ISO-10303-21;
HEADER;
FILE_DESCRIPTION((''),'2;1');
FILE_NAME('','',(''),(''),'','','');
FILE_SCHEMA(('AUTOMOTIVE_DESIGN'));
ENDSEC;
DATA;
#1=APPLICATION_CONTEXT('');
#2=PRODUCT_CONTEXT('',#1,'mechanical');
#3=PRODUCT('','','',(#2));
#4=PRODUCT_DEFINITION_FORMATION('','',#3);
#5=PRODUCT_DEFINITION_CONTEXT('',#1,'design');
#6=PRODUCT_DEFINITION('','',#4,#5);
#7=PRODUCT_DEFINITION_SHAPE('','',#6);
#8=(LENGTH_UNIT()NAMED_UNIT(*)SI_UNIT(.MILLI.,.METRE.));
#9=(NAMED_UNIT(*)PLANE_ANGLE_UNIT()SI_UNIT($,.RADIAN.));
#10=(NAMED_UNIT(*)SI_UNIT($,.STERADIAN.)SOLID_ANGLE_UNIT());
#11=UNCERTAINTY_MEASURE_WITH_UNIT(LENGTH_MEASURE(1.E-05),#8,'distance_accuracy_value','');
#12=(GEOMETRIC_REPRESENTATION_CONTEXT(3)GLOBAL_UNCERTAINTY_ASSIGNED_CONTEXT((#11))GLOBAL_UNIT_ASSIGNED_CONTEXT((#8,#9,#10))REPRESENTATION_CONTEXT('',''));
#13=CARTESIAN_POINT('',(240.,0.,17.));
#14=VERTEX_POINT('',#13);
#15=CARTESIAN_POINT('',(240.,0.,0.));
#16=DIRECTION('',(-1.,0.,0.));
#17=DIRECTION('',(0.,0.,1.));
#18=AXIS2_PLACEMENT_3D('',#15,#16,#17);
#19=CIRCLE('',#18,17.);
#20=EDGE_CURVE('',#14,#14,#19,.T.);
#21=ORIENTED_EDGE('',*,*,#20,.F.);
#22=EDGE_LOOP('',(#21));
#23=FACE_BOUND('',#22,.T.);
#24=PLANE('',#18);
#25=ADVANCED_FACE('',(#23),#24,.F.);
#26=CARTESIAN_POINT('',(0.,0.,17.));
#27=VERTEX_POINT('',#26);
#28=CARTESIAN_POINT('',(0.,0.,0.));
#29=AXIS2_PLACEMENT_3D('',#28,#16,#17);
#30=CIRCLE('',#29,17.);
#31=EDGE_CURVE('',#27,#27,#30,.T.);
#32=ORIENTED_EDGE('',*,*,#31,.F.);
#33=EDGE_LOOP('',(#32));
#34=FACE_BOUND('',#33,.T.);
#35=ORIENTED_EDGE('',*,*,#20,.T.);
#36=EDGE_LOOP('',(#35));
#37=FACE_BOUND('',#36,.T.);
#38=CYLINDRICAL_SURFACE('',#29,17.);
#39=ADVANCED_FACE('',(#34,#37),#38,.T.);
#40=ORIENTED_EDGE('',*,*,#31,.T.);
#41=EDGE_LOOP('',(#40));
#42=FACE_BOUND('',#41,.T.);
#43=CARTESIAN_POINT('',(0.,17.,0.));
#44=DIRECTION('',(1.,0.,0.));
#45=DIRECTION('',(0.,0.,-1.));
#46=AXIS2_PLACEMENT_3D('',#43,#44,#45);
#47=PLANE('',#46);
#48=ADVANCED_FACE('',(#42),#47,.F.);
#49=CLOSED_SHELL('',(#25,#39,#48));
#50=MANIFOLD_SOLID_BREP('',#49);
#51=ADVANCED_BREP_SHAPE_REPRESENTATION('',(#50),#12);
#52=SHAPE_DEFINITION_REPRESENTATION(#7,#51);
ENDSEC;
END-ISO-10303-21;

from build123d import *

# Parameters (mm, degrees)
ESQUISSE1_W = 240
ESQUISSE1_H = 17


with BuildPart() as part:
    # Esquisse1 → Révolution1 (revolve)
    with BuildSketch(Plane.XY, mode=Mode.PRIVATE) as r_volution1_sk:
        with Locations((120, 8.5)):
            Rectangle(ESQUISSE1_W, ESQUISSE1_H)
    revolve(r_volution1_sk.sketch.rotate(Axis((0, 0, 0), (1, 0, 0)), 90), axis=Axis((0, 0, 0), (1, 0, 0)))


solid = part.part
